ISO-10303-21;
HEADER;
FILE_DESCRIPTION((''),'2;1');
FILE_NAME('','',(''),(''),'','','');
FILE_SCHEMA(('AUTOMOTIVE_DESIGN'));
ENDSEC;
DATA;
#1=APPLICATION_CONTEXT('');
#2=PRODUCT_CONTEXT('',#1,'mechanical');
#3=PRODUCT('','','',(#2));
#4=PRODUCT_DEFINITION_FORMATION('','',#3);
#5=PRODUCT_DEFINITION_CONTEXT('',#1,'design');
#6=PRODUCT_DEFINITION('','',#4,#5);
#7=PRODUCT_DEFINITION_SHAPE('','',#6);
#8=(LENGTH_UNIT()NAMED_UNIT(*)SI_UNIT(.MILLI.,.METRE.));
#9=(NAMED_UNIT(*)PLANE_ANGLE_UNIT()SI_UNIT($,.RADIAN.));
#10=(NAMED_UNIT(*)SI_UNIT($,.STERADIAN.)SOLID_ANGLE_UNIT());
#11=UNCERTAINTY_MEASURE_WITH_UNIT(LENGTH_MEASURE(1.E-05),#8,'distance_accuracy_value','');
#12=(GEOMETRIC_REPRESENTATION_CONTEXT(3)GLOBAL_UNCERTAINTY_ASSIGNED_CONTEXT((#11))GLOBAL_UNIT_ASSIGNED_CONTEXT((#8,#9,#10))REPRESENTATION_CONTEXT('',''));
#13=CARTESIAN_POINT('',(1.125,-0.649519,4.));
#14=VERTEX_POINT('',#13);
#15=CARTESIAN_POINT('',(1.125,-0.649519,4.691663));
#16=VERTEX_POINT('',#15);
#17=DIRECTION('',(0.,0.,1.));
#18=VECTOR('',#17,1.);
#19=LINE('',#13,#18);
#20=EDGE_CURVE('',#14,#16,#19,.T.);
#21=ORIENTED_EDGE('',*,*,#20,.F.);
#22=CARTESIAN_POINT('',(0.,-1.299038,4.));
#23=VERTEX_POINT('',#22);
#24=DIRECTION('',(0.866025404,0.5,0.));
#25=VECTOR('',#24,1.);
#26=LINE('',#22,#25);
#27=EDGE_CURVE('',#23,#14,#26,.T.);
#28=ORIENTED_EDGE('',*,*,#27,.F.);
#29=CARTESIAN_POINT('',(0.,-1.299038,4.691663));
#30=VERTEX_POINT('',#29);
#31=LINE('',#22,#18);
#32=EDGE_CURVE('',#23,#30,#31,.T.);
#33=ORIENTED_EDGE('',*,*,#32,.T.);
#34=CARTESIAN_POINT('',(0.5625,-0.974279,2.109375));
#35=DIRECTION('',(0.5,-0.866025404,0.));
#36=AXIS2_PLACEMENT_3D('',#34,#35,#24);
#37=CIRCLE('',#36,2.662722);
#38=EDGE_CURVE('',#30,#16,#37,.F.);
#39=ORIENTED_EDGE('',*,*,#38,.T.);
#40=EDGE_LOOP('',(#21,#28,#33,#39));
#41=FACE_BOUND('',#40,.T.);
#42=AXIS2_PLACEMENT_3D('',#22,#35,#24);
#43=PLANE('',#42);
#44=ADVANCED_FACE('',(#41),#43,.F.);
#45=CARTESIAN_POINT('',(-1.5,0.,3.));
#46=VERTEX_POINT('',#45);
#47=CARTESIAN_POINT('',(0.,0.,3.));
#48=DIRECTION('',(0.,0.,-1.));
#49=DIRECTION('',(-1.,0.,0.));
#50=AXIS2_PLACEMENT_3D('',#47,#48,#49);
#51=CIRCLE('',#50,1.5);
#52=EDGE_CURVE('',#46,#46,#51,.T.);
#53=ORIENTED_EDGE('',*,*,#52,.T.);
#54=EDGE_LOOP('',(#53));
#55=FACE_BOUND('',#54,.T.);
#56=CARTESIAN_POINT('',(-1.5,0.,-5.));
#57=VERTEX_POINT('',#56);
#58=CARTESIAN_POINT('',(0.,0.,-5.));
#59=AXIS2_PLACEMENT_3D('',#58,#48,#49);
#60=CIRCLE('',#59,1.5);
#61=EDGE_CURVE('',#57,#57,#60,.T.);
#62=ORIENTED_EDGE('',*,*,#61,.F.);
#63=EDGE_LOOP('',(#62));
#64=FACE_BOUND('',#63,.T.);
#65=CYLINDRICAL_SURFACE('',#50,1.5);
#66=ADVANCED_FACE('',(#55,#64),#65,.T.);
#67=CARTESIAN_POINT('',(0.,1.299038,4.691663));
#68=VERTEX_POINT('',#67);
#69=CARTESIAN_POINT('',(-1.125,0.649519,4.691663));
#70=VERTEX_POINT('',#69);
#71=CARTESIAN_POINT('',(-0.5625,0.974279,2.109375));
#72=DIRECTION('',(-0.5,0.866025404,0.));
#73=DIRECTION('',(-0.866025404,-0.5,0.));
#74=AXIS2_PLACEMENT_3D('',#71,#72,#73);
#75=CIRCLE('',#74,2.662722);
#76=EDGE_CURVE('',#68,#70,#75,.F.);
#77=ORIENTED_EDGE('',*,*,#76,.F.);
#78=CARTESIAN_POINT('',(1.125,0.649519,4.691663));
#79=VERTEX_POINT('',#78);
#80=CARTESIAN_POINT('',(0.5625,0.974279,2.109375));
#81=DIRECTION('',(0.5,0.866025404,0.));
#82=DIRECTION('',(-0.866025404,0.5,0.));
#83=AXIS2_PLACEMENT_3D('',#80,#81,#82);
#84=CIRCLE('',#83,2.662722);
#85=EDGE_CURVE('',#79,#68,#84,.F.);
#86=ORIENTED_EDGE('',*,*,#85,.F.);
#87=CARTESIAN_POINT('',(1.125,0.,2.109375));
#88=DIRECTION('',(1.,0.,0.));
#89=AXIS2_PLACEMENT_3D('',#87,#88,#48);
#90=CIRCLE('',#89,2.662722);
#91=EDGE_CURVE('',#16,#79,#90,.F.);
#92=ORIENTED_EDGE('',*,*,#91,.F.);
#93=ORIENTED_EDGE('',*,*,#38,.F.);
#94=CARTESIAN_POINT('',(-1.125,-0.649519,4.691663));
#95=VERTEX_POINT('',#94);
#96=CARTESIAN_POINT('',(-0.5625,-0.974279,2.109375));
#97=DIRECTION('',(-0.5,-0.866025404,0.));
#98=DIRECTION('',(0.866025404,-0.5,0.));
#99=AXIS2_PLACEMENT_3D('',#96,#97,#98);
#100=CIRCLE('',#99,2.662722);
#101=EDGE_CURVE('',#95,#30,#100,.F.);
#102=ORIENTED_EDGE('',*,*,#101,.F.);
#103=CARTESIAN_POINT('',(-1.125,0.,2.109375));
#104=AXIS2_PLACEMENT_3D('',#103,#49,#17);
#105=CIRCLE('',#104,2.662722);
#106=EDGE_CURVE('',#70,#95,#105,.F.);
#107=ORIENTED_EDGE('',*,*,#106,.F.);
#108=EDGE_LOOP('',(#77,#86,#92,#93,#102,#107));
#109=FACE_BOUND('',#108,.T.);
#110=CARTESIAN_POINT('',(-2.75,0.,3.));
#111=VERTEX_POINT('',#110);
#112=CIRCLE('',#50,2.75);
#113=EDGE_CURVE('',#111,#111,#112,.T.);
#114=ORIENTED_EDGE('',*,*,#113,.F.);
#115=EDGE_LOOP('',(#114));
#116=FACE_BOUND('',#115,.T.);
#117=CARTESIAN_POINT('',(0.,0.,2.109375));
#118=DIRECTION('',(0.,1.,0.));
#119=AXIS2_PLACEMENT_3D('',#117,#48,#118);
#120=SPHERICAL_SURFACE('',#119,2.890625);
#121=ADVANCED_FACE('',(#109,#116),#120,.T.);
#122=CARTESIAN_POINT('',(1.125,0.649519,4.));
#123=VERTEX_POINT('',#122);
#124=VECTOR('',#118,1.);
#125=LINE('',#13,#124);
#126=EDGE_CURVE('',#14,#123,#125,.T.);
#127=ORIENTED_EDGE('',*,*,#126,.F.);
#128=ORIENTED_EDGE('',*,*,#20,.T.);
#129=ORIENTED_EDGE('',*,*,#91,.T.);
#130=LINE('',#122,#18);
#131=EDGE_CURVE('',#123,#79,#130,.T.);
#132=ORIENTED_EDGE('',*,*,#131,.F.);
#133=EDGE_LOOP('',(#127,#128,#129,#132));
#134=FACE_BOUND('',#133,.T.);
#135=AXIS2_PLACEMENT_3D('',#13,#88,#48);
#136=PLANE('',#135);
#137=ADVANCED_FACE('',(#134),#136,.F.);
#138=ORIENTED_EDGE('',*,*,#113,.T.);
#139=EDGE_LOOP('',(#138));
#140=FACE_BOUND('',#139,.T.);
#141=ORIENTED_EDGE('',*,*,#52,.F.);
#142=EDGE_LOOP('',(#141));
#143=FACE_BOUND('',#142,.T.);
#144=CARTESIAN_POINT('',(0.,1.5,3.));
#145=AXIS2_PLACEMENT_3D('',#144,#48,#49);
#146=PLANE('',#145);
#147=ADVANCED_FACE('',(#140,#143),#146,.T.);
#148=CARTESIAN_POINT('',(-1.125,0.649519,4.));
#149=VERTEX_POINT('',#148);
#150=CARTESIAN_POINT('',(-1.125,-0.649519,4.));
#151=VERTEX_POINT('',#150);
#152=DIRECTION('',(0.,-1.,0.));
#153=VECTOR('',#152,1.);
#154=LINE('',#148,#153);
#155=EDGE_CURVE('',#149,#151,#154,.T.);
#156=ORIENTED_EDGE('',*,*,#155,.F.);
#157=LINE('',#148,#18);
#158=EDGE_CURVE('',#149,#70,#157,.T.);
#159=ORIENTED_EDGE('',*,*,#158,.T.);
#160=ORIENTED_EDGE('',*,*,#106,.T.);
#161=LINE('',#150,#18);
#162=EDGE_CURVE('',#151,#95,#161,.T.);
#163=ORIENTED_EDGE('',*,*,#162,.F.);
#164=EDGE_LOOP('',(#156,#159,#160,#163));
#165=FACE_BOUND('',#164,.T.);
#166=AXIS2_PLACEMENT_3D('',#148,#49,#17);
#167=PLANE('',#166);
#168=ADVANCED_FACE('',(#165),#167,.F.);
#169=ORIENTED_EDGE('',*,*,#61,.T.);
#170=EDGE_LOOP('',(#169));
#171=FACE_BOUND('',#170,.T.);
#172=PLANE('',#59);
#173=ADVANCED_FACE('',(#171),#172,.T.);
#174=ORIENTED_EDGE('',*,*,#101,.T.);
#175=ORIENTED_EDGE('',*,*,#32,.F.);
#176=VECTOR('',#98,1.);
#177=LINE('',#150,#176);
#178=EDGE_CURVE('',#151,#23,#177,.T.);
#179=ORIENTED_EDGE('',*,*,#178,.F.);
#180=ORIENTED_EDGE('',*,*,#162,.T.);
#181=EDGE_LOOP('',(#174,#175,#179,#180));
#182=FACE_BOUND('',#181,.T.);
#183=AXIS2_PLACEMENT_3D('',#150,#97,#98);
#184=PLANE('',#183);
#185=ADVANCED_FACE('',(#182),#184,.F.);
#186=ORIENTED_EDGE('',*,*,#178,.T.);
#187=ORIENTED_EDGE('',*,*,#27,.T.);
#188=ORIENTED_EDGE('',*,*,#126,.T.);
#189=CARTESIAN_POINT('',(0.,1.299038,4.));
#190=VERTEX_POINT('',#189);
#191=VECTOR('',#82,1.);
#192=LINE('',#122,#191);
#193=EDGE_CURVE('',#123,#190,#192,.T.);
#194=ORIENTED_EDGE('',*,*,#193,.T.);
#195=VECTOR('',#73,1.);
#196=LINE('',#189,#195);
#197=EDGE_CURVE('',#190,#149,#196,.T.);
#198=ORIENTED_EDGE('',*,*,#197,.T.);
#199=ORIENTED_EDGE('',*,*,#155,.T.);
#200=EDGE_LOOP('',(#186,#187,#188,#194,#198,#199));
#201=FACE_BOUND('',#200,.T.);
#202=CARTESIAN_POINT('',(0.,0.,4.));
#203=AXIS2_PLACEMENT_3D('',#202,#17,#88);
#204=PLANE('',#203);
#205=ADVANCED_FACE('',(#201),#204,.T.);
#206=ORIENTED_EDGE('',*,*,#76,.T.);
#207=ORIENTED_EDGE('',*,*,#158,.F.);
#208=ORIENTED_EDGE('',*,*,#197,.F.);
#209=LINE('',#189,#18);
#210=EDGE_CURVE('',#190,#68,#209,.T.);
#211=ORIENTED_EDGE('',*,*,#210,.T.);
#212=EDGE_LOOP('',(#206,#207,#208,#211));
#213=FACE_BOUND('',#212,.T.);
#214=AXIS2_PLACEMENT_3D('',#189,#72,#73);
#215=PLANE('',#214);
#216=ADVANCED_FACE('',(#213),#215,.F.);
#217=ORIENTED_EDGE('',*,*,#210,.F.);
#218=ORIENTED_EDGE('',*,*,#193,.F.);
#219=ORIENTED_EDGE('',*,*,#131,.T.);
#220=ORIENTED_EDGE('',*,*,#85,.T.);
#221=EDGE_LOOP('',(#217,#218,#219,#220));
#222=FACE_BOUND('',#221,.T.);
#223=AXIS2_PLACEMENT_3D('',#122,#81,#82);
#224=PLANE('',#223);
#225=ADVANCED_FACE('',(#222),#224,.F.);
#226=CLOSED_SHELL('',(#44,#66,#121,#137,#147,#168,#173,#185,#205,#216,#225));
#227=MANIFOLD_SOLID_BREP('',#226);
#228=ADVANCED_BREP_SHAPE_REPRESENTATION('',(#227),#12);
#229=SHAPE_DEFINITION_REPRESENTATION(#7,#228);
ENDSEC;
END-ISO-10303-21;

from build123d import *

# Parameters (mm, degrees)
CUT_EXTRUDE1_START = 5
CUT_EXTRUDE1_DEPTH = 1


with BuildPart() as part:
    # Sketch1 → Revolve1 (revolve)
    with BuildSketch(Plane.YZ, mode=Mode.PRIVATE) as revolve1_sk:
        with BuildLine():
            Line((0, -5), (1.5, -5))
            Line((1.5, -5), (1.5, 3))
            Line((1.5, 3), (2.75, 3))
            ThreePointArc((2.75, 3), (1.700183814, 4.447127744), (0, 5))
            Line((0, 5), (0, 3))
            Line((0, 3), (0, -5))
        make_face()
    revolve(revolve1_sk.sketch.rotate(Axis((0, 0, 3), (0, 0, 1)), 90), axis=Axis((0, 0, 3), (0, 0, 1)))

    # Sketch2 → Cut-Extrude1 (cut)
    with BuildSketch(Plane(origin=(0, 0, 0), x_dir=(0, 1, 0), z_dir=(0, 0, 1)).offset(CUT_EXTRUDE1_START)):
        Polygon((1.299038106, 0), (0.649519053, 1.125), (-0.649519053, 1.125), (-1.299038106, 0), (-0.649519053, -1.125), (0.649519053, -1.125), align=None)
    extrude(amount=-CUT_EXTRUDE1_DEPTH, mode=Mode.SUBTRACT)


solid = part.part
